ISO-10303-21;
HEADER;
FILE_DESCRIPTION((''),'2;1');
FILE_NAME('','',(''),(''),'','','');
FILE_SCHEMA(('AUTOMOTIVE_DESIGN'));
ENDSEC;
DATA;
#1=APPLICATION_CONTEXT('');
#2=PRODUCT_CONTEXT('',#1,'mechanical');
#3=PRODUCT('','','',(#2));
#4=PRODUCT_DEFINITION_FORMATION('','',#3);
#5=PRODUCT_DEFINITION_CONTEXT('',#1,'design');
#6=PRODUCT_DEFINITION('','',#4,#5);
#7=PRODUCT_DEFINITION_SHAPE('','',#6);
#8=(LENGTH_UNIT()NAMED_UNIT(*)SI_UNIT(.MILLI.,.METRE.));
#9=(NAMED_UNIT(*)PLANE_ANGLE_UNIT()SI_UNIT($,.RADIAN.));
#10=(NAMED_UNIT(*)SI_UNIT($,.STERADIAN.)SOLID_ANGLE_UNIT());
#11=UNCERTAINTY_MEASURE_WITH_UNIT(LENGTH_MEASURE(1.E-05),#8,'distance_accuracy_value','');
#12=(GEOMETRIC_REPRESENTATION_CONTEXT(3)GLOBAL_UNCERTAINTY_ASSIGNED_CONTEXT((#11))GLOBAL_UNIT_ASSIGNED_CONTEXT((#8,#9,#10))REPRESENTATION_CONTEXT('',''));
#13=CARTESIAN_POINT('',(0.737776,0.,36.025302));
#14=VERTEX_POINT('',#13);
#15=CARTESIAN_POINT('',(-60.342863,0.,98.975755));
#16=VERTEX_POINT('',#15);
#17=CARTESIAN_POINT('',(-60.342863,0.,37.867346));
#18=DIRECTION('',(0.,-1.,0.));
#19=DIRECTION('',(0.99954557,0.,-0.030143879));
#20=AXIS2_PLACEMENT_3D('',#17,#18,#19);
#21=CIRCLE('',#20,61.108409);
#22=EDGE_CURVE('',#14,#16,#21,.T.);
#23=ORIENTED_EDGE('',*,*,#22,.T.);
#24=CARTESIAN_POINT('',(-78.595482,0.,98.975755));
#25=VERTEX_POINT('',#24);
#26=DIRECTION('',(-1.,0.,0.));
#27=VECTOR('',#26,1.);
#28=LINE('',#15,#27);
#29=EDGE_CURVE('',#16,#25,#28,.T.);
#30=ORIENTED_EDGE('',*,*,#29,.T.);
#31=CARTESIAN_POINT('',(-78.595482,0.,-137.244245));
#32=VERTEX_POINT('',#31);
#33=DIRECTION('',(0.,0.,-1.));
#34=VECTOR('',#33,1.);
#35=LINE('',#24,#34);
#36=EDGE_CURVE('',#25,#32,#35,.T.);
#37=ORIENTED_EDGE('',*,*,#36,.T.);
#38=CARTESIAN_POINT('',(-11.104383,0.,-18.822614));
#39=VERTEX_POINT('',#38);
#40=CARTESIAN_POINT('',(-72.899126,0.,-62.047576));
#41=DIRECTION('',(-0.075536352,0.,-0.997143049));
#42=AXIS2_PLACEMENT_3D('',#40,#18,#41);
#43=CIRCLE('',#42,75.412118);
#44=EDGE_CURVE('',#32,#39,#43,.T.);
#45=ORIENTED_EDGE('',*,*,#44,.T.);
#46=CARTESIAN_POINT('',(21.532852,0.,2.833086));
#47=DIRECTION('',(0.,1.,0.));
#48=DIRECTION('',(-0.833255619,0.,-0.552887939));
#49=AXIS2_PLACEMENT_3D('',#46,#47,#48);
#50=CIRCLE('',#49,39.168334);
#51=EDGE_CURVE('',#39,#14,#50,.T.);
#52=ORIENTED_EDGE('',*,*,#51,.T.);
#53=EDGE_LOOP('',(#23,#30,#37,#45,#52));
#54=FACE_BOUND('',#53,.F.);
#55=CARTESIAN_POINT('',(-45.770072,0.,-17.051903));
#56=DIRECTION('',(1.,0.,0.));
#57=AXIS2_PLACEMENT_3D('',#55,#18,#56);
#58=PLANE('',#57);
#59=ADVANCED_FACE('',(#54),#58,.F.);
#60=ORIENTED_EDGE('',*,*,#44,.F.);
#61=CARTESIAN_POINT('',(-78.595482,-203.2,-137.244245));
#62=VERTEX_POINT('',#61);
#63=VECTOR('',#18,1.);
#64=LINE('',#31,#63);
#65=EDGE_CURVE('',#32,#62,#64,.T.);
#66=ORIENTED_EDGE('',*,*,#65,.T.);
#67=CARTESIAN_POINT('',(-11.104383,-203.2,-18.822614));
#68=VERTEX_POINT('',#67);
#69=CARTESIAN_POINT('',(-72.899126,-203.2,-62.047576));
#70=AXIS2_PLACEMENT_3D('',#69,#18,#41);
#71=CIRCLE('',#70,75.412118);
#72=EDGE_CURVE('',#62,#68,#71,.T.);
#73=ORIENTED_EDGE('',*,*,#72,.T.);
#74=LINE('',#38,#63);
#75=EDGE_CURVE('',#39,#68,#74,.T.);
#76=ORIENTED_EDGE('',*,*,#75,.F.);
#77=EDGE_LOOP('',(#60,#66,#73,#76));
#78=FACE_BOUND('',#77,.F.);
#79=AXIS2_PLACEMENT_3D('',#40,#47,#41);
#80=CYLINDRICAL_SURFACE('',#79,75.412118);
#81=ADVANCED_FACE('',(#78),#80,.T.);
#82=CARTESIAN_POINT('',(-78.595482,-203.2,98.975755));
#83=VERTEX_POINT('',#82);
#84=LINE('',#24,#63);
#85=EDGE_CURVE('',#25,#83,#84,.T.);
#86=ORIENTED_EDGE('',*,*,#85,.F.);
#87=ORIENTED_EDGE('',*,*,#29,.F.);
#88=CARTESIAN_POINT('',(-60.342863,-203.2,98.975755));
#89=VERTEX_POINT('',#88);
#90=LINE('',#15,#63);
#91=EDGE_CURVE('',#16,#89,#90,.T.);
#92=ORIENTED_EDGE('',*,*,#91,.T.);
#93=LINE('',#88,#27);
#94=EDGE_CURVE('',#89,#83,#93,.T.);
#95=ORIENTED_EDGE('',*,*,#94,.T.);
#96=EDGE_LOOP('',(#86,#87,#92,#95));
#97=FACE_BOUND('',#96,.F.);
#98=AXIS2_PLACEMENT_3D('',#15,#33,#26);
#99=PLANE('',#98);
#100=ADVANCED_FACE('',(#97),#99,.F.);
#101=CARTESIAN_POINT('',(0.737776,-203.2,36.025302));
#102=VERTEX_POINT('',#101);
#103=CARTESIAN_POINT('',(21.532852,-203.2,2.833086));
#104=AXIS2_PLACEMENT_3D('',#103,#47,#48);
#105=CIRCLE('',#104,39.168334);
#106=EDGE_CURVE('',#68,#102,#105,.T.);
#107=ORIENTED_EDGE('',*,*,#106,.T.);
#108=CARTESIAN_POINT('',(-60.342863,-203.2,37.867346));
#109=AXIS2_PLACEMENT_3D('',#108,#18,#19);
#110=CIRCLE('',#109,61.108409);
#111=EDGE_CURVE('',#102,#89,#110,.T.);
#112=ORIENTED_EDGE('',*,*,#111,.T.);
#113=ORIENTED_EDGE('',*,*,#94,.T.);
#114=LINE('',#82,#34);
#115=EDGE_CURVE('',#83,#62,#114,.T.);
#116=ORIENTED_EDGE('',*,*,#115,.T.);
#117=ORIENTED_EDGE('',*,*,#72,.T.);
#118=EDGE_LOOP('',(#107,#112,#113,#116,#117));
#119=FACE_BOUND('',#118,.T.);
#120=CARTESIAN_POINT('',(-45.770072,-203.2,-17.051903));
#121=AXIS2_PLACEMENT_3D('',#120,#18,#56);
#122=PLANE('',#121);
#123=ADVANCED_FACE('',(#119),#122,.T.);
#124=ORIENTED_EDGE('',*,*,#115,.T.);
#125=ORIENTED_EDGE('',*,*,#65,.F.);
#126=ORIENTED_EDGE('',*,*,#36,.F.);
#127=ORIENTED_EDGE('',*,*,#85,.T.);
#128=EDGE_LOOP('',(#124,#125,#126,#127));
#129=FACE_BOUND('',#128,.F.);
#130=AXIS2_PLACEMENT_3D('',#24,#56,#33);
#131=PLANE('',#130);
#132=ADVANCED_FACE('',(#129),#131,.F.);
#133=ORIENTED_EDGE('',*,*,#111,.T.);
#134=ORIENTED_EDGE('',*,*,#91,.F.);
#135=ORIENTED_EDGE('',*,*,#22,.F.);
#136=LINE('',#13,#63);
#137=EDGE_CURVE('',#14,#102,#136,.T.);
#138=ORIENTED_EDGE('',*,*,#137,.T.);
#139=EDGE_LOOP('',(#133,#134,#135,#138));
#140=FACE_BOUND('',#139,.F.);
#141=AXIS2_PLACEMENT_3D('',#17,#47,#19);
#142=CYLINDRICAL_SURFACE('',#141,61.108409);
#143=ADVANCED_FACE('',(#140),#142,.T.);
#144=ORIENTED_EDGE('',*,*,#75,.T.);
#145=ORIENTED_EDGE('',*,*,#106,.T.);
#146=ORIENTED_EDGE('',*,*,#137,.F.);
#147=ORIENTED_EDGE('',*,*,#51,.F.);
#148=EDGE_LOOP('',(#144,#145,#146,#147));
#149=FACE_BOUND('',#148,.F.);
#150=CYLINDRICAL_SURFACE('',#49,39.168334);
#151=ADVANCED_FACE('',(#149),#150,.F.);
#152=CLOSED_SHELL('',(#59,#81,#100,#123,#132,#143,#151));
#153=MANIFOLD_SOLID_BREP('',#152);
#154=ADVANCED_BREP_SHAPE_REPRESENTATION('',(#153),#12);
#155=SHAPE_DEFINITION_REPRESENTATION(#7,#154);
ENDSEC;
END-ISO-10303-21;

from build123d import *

# Parameters (mm, degrees)
F1_DEPTH = 203.2


with BuildPart() as f1:
    # F0 (on Front) → F1 (new body)
    with BuildSketch(Plane.XZ):
        with BuildLine():
            Line((-60.342863, 98.975755), (-78.595482, 98.975755))
            Line((-78.595482, 98.975755), (-78.595482, -137.244245))
            ThreePointArc((-78.595482, -137.244245), (-7.380595, -99.388032), (-11.104383, -18.822614))
            ThreePointArc((-11.104383, -18.822614), (-16.753261, 11.099402), (0.737776, 36.025302))
            ThreePointArc((0.737776, 36.025302), (-16.486267, 80.421272), (-60.342863, 98.975755))
        make_face()
    extrude(amount=F1_DEPTH)


solid = f1.part
